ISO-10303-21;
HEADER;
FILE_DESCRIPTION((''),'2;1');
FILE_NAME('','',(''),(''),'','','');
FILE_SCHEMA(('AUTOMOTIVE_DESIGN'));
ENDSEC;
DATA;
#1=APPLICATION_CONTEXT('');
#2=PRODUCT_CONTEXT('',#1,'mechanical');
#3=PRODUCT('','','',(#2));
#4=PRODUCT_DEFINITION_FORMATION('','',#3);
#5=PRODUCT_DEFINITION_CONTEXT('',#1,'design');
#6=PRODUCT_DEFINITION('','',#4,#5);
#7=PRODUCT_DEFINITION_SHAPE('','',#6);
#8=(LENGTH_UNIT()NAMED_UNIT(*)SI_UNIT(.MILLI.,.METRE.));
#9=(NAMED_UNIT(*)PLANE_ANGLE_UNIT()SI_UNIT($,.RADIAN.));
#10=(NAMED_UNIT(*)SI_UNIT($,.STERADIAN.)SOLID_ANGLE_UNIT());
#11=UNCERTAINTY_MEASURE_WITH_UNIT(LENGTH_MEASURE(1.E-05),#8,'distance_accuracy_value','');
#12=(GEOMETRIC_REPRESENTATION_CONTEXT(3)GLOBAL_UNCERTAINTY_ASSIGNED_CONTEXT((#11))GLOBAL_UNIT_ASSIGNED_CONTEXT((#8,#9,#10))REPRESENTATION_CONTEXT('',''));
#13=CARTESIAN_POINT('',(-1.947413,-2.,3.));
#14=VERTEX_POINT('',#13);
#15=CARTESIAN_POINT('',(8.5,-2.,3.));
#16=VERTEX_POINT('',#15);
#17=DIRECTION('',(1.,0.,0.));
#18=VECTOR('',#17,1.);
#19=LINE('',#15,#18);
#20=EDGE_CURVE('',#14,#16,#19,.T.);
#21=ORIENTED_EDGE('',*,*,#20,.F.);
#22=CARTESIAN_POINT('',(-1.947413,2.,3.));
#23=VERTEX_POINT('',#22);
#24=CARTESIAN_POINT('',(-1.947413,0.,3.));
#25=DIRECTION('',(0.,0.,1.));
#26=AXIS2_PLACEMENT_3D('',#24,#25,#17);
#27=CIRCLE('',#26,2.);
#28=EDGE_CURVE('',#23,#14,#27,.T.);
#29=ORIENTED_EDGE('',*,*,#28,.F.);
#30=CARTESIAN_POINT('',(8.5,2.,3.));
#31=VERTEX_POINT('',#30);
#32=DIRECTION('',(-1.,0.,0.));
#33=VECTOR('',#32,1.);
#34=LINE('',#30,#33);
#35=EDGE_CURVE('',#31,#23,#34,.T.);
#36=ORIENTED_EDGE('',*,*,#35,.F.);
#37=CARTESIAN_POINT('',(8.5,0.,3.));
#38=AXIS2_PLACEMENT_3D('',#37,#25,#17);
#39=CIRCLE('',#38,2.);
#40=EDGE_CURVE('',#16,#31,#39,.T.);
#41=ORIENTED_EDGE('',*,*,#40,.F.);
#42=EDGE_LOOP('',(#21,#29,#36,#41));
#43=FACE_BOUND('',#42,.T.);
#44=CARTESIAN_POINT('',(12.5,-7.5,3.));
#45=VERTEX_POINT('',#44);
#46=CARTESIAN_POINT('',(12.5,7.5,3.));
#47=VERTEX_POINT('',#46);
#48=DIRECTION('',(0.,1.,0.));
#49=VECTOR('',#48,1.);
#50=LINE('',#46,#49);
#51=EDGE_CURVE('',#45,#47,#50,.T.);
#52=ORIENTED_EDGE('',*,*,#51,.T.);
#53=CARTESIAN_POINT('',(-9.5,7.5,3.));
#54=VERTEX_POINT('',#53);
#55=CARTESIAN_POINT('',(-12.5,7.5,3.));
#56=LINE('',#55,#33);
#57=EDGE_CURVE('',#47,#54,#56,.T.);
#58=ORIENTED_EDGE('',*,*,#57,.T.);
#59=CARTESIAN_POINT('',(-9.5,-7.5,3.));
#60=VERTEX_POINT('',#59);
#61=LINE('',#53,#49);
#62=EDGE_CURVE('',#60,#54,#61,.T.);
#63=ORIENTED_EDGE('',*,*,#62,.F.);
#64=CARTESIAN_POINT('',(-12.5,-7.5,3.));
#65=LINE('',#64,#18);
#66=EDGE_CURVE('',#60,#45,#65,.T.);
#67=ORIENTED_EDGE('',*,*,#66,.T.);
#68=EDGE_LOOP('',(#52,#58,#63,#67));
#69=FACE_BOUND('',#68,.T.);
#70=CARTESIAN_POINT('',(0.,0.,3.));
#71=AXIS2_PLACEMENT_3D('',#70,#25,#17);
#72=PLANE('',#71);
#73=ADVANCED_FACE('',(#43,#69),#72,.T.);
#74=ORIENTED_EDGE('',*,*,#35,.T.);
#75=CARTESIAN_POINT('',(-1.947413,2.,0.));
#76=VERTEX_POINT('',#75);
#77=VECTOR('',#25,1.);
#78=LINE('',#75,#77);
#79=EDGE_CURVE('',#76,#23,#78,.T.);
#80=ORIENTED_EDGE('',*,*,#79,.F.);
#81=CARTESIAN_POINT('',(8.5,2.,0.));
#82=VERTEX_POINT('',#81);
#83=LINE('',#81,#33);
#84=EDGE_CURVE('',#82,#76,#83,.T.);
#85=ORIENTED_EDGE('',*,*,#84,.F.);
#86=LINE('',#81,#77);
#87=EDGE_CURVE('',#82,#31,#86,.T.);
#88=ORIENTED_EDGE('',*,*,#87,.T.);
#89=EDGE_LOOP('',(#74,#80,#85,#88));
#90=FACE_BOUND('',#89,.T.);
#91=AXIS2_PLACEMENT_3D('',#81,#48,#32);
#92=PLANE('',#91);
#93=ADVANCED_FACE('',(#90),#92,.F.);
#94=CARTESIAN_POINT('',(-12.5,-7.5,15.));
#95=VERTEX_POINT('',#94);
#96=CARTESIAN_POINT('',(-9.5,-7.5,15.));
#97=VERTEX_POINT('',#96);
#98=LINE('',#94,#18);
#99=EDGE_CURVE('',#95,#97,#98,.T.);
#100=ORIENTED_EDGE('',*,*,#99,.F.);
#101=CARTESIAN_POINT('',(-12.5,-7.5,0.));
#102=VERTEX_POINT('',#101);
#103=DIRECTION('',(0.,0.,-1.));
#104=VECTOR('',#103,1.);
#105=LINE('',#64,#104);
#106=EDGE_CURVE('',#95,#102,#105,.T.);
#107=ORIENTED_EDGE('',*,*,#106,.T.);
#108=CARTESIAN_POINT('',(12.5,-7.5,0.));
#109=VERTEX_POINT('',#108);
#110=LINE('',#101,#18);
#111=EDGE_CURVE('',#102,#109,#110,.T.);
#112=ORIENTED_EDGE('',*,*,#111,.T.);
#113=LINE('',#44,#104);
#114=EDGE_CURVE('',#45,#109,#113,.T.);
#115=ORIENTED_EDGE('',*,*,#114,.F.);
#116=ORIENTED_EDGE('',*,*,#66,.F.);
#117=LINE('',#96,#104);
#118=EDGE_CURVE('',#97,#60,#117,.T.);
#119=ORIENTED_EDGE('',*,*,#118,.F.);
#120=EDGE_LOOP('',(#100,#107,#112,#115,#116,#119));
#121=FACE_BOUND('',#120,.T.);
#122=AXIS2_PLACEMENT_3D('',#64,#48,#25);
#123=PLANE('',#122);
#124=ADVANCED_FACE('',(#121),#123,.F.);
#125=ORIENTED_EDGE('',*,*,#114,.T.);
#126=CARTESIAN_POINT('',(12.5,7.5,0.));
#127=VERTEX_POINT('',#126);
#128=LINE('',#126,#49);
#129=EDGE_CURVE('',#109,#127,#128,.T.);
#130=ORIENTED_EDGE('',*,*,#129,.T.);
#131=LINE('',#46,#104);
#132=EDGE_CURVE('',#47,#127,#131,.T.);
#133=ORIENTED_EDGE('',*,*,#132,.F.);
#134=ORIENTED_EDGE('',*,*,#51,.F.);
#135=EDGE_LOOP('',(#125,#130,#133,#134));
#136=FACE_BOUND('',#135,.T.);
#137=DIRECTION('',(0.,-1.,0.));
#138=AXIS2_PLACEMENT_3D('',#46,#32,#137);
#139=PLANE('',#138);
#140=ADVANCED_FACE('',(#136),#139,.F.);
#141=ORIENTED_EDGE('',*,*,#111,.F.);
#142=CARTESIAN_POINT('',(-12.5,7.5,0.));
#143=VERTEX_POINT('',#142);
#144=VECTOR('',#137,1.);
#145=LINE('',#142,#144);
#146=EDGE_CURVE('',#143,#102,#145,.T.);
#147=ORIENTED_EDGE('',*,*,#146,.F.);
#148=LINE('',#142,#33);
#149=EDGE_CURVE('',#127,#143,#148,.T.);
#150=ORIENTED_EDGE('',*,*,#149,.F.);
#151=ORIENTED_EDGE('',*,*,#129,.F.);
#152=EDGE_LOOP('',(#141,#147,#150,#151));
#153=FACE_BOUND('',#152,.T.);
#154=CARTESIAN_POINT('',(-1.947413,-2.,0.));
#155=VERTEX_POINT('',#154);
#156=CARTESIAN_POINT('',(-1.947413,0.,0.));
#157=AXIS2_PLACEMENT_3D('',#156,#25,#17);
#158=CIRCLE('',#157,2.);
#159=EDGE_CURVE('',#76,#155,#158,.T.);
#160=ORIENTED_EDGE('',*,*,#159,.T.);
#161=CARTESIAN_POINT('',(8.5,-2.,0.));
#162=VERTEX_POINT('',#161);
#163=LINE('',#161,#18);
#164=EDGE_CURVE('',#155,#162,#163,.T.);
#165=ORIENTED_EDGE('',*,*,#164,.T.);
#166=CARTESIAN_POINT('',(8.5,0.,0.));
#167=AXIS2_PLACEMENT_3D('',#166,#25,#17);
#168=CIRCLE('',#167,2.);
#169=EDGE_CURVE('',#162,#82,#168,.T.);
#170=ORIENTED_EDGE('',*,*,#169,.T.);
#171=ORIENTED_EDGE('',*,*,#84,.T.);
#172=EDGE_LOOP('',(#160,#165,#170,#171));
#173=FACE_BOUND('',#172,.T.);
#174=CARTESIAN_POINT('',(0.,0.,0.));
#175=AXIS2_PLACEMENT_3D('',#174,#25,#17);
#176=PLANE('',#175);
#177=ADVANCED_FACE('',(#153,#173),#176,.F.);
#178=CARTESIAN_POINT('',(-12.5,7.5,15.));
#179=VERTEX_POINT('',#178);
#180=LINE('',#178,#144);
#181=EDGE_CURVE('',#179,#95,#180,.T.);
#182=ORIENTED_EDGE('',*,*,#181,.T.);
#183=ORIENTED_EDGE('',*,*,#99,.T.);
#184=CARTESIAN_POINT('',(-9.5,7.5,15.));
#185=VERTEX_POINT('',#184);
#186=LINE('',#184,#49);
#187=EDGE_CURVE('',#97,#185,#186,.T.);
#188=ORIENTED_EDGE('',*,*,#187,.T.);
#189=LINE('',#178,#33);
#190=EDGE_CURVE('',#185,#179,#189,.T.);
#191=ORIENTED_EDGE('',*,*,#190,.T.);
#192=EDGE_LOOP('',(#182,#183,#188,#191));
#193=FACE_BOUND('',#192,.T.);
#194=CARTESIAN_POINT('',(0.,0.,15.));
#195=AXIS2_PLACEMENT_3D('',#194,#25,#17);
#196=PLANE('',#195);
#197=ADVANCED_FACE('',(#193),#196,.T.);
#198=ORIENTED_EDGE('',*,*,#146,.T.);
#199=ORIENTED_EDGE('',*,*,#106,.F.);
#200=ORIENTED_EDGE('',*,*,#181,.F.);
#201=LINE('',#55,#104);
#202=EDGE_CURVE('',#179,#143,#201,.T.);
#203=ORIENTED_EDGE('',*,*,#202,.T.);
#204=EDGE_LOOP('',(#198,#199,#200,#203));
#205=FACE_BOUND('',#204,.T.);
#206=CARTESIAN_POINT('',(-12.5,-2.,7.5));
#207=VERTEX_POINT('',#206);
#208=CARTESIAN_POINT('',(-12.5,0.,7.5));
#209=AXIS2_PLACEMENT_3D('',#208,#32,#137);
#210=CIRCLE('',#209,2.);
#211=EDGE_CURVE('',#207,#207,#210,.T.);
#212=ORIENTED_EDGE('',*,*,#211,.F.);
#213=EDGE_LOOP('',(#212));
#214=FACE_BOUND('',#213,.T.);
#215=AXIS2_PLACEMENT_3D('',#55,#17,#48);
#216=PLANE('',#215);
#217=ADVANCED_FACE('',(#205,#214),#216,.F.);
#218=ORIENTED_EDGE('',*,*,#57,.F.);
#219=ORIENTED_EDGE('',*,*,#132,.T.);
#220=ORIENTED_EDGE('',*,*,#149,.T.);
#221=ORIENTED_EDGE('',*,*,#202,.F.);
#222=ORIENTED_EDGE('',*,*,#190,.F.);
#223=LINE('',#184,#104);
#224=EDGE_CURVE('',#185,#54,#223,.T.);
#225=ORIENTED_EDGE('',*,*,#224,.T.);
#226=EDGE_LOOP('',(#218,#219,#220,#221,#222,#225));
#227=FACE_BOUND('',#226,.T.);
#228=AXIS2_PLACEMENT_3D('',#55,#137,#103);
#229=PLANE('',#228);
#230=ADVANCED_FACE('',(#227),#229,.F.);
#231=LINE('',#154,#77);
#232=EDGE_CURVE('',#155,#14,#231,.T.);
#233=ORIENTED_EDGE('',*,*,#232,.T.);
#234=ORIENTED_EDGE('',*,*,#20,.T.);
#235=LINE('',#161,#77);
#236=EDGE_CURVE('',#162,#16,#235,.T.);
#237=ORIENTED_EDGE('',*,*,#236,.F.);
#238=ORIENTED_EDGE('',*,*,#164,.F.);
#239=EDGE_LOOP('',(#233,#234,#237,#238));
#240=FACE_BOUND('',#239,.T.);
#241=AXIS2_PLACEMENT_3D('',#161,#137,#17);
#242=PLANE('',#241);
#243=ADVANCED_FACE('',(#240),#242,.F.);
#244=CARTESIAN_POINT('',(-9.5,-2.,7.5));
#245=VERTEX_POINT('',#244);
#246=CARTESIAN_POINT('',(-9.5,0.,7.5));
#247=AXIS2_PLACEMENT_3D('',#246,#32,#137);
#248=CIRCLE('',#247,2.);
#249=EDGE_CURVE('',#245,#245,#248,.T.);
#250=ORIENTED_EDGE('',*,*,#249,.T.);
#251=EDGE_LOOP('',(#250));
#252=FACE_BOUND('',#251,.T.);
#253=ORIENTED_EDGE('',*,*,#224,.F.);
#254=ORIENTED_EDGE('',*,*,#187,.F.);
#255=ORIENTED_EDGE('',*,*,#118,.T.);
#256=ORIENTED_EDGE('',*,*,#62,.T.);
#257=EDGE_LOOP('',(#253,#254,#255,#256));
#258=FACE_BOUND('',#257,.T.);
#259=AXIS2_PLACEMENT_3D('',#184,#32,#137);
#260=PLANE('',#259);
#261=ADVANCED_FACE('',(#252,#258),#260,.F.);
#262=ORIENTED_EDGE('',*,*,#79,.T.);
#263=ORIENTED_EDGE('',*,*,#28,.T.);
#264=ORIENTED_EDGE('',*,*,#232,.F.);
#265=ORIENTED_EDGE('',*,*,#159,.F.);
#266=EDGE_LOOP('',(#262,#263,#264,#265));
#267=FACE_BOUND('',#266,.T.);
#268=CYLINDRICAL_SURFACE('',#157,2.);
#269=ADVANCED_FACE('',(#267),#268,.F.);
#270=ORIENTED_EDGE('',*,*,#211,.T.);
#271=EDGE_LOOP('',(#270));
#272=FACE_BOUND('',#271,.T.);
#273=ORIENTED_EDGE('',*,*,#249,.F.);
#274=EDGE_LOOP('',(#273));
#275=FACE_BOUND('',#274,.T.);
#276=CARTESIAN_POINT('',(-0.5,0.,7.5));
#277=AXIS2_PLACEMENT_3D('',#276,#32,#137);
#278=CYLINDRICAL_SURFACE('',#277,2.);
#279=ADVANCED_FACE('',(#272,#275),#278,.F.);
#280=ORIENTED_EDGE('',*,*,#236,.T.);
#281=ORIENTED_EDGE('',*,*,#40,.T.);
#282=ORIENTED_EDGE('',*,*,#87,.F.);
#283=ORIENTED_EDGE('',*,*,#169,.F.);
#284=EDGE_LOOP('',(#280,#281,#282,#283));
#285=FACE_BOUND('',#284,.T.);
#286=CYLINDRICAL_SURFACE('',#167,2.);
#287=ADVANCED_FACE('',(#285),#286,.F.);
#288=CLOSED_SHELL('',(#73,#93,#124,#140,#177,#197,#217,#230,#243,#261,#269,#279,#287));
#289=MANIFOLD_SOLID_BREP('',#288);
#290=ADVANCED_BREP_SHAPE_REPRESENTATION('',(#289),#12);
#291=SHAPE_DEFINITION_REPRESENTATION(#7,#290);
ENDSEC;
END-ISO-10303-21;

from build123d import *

# Parameters (mm, degrees)
SKETCH1_W           = 25
SKETCH1_H           = 15
BOSS_EXTRUDE1_DEPTH = 3
CUT_EXTRUDE1_DEPTH  = 3
SKETCH3_W           = 3
SKETCH3_H           = 15
BOSS_EXTRUDE2_DEPTH = 12
SKETCH4_R           = 2
CUT_EXTRUDE2_DEPTH  = 12


with BuildPart() as part:
    # Sketch1 → Boss-Extrude1 (new body)
    with BuildSketch(Plane.XY):
        Rectangle(SKETCH1_W, SKETCH1_H)
    extrude(amount=BOSS_EXTRUDE1_DEPTH)

    # Sketch2 → Cut-Extrude1 (cut)
    with BuildSketch(Plane.XY.offset(3)):
        with BuildLine():
            Line((8.5, -2), (-1.947413085, -2))
            ThreePointArc((-1.947413085, -2), (-3.947413085, 0), (-1.947413085, 2))
            Line((-1.947413085, 2), (8.5, 2))
            ThreePointArc((8.5, 2), (10.5, 0), (8.5, -2))
        make_face()
    extrude(amount=-CUT_EXTRUDE1_DEPTH, mode=Mode.SUBTRACT)

    # Sketch3 → Boss-Extrude2 (add)
    with BuildSketch(Plane.XY.offset(3)):
        with Locations((-11, 0)):
            Rectangle(SKETCH3_W, SKETCH3_H)
    extrude(amount=BOSS_EXTRUDE2_DEPTH)

    # Sketch4 → Cut-Extrude2 (cut)
    with BuildSketch(Plane.ZY.offset(12.5)):
        with Locations(Location((7.5, 0, 0), (0, 0, 270))):
            Circle(SKETCH4_R)
    extrude(amount=-CUT_EXTRUDE2_DEPTH, mode=Mode.SUBTRACT)


solid = part.part
